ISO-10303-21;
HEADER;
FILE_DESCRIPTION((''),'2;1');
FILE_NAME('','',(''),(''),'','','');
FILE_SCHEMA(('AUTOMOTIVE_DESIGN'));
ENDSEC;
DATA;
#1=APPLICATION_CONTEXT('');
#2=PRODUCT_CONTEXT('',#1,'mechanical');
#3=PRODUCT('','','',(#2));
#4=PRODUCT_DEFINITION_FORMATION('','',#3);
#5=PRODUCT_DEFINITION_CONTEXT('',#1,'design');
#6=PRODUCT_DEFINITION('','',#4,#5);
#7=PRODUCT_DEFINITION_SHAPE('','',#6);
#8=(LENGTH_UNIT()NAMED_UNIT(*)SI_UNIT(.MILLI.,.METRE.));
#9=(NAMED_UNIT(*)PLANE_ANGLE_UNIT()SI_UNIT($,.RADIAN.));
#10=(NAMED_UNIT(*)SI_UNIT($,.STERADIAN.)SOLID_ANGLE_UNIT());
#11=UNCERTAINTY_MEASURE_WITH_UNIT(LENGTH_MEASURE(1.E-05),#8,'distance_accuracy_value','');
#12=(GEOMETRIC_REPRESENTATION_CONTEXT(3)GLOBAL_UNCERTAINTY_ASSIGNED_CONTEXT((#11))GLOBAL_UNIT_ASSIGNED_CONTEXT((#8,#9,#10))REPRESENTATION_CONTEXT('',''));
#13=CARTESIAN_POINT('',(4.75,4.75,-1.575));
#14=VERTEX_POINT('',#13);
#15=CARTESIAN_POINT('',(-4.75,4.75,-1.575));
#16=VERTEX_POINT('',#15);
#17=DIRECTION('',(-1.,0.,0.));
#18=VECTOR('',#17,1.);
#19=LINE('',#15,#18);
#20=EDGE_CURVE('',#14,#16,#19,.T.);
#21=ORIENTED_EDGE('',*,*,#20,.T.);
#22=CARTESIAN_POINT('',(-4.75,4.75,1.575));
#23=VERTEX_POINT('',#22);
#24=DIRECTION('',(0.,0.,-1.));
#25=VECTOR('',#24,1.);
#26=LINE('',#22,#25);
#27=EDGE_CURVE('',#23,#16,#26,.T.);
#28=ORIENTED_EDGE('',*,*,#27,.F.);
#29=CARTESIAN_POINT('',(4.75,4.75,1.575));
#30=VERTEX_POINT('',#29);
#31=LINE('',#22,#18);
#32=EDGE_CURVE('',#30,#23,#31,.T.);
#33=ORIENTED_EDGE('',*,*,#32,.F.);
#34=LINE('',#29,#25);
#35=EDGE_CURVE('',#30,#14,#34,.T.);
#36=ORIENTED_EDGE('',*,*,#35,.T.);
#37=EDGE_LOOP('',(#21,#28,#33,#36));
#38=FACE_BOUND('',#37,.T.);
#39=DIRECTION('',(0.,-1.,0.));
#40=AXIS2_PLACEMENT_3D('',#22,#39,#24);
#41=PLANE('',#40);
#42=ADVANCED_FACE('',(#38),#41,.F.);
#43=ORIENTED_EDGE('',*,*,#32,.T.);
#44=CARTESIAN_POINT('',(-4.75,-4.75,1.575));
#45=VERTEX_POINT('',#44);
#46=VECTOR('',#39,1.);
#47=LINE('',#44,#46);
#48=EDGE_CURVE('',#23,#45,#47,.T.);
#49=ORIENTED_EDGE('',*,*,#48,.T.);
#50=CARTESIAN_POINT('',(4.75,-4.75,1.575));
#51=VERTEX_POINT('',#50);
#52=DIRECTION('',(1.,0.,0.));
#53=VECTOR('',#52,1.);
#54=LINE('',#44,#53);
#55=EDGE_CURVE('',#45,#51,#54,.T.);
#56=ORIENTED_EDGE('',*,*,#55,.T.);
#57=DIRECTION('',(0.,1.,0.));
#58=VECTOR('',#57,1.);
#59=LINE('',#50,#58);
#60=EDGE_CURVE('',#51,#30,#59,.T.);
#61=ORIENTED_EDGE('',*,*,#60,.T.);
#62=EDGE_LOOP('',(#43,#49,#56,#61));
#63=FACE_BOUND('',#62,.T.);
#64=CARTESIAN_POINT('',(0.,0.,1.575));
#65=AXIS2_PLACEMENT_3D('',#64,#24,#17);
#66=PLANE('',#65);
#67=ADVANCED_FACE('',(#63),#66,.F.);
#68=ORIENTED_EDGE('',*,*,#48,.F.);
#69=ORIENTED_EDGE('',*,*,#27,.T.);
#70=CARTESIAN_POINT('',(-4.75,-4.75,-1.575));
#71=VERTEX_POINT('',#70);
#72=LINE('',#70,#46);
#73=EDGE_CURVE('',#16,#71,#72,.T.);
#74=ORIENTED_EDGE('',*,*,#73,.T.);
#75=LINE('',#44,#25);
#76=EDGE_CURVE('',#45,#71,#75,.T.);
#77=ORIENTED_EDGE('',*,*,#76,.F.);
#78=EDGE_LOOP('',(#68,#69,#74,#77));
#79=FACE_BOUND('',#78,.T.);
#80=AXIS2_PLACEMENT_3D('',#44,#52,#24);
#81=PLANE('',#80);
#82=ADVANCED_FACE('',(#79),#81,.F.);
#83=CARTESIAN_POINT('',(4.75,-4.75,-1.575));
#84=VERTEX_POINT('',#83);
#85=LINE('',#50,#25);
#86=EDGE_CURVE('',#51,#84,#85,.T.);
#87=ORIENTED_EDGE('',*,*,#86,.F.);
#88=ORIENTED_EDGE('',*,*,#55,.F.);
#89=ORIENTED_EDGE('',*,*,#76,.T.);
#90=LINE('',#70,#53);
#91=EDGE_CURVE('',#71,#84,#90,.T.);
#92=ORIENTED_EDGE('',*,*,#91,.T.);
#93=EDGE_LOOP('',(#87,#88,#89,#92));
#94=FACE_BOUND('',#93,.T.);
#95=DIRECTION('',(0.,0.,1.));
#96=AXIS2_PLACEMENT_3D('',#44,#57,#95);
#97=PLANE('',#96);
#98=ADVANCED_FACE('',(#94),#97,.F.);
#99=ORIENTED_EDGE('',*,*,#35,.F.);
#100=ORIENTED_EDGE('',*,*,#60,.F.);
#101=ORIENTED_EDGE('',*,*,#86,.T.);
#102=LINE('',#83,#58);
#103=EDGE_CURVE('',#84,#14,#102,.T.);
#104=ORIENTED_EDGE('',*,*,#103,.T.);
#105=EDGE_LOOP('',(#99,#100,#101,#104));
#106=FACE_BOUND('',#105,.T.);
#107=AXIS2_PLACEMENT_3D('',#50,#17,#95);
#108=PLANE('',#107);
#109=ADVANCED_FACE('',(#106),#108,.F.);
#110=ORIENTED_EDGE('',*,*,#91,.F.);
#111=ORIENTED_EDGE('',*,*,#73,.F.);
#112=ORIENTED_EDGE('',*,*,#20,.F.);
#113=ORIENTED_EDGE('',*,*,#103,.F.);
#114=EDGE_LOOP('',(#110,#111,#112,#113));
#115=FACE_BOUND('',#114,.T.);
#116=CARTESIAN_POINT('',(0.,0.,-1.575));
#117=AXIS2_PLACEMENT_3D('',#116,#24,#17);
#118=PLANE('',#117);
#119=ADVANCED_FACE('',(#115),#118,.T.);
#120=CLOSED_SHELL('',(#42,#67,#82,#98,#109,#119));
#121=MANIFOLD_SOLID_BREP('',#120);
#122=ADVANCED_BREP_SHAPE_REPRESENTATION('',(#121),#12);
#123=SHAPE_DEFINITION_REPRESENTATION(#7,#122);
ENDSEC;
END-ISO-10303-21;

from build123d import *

# Parameters (mm, degrees)
SKETCH1_W           = 9.5
SKETCH1_H           = 9.5
BOSS_EXTRUDE1_DEPTH = 1.575


with BuildPart() as part:
    # Sketch1 → Boss-Extrude1 (new, symmetric)
    with BuildSketch(Plane.XY):
        Rectangle(SKETCH1_W, SKETCH1_H)
    extrude(amount=BOSS_EXTRUDE1_DEPTH, both=True)


solid = part.part
